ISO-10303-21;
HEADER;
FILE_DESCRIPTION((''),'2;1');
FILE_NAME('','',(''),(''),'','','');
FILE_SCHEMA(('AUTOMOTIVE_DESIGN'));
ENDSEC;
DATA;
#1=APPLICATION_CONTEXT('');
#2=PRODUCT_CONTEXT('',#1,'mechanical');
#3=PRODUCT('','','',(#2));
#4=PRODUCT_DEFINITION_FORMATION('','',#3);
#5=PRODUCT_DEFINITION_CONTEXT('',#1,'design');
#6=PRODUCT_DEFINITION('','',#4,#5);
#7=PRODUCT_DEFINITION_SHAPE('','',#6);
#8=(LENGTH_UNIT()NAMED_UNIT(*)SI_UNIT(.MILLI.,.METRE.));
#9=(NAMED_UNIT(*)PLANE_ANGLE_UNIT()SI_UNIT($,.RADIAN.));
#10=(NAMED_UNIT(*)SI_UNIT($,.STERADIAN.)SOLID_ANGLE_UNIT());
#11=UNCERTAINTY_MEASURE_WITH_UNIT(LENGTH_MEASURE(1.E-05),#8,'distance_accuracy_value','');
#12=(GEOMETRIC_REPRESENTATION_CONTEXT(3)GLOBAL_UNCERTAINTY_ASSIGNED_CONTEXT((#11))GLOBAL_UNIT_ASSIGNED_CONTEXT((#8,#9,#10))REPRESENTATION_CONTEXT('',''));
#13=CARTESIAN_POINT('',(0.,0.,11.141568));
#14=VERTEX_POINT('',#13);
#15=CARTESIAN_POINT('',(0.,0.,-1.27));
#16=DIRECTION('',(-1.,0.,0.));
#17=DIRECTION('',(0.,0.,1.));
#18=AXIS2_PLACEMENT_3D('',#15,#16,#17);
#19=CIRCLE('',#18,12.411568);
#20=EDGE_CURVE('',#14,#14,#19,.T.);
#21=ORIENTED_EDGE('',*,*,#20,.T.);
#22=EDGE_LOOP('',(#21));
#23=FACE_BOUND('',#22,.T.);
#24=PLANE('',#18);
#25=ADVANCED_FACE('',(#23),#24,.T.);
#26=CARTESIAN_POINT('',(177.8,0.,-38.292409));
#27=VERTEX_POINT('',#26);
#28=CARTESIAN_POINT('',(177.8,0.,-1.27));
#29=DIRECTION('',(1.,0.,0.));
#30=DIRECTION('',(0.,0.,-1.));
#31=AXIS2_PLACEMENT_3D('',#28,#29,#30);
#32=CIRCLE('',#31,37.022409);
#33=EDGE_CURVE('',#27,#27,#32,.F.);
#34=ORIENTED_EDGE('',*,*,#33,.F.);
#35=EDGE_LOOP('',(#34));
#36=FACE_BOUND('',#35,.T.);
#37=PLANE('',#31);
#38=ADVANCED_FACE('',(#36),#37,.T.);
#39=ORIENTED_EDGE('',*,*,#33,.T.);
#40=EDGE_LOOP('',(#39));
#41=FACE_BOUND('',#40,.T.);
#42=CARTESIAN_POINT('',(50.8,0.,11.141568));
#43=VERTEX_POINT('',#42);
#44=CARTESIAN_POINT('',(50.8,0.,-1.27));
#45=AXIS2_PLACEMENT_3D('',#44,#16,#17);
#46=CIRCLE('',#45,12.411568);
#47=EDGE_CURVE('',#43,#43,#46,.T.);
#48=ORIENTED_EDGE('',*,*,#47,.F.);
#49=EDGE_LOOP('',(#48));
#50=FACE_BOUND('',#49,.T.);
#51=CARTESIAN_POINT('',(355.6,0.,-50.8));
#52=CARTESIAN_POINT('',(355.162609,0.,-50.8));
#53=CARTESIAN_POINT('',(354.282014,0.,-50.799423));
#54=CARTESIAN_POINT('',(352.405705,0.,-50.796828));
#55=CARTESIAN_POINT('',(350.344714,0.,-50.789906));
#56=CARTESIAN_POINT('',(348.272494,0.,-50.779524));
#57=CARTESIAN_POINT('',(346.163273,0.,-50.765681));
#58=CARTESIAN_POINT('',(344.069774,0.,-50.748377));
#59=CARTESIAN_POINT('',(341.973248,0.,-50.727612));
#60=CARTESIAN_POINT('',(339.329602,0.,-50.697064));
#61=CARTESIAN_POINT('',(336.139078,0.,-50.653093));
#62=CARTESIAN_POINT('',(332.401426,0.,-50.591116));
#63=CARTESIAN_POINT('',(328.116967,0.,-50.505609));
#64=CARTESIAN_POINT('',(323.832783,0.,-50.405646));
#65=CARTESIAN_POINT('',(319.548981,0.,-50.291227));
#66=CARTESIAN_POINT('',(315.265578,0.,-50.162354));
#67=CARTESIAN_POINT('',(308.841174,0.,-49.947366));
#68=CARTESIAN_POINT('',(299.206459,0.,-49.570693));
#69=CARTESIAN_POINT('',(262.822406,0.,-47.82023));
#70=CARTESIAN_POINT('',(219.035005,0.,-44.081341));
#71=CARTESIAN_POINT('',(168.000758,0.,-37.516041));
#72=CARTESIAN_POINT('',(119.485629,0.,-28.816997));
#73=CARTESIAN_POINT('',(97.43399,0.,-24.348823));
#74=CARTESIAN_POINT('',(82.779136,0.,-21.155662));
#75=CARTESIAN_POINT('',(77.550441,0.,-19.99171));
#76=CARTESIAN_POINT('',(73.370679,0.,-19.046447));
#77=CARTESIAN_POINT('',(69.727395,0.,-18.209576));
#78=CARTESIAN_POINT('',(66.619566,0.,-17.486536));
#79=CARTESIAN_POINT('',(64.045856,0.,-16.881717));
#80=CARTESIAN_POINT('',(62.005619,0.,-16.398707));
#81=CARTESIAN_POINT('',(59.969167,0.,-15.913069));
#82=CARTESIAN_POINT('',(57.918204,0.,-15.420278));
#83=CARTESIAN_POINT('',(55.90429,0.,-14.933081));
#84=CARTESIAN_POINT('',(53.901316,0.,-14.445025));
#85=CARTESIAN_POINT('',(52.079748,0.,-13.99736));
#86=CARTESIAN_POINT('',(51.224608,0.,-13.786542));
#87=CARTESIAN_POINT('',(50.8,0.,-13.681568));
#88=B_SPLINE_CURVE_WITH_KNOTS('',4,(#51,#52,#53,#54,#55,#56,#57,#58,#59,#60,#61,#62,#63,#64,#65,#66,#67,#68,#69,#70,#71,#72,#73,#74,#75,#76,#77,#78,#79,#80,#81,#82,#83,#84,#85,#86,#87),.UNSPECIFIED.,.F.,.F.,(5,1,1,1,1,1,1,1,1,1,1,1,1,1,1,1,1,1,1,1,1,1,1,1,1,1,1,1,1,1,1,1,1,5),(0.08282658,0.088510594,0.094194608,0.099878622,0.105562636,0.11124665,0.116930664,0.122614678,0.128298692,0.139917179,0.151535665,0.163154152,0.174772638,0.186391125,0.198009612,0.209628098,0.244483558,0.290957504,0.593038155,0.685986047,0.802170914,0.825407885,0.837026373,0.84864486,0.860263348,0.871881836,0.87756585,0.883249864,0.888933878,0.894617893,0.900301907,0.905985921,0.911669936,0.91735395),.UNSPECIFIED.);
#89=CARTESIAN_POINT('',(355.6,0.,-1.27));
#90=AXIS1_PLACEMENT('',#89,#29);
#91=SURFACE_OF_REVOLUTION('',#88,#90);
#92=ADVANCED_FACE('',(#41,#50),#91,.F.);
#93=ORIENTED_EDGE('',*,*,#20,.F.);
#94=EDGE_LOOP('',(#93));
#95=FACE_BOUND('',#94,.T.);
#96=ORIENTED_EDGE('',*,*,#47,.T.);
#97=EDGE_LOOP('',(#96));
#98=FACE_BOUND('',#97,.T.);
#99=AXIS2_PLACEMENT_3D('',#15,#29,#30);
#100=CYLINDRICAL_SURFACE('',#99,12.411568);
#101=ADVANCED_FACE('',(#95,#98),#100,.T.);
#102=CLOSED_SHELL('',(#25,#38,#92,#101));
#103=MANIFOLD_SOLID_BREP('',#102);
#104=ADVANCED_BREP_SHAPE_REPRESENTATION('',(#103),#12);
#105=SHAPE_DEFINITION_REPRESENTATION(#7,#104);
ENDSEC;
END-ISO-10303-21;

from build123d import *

# Parameters (mm, degrees)
SKETCH2_R           = 49.53
BOSS_EXTRUDE1_DEPTH = 203.2
SKETCH3_R           = 12.411567775
BOSS_EXTRUDE2_DEPTH = 50.8
SKETCH4_R           = 49.53
CUT_EXTRUDE1_DEPTH  = 381
SKETCH5_R           = 49.53
CUT_EXTRUDE2_DEPTH  = 381


with BuildPart() as part:
    # Sketch1 → Revolve2 (revolve)
    with BuildSketch(Plane(origin=(0, 0, 0), x_dir=(1, 0, 0), z_dir=(0, 1, 0))):
        with BuildLine():
            Line((355.600000053, 50.799999973), (355.600000053, 1.269999973))
            Line((355.600000053, 1.269999973), (50.800000047, 1.269999973))
            Line((50.800000047, 1.269999973), (50.800000047, 13.68156774))
            add(Edge.make_bspline(
                [(50.800000047, 13.68156774), (51.224607869, 13.786541703), (52.079748124, 13.99736018), (53.901316113, 14.445024847), (55.90428978, 14.933081433), (57.918204029, 15.420277853), (59.969167456, 15.913068852), (62.005618607, 16.398707152), (64.04585603, 16.881716673), (66.619566178, 17.486536085), (69.727395203, 18.209576077), (73.370678613, 19.04644661), (77.55044141, 19.991710093), (82.779136229, 21.155661521), (97.433989811, 24.348822924), (119.485629173, 28.81699746), (168.00075752, 37.516041455), (219.035004801, 44.081341124), (262.822405655, 47.820230422), (299.206459448, 49.570692635), (308.841173655, 49.947366018), (315.265578413, 50.162354186), (319.548981494, 50.29122703), (323.832782669, 50.405645805), (328.116966628, 50.505609209), (332.401425999, 50.591116104), (336.139078075, 50.653092889), (339.329601827, 50.697064227), (341.973247658, 50.727612371), (344.069774299, 50.748376802), (346.163273231, 50.76568058), (348.272494467, 50.77952366), (350.344714481, 50.789906003), (352.405704949, 50.79682758), (354.282013928, 50.799423175), (355.162608625, 50.799999974), (355.600000053, 50.799999973)],
                knots=[0.08282658, 0.08282658, 0.08282658, 0.08282658, 0.08282658, 0.088510594, 0.094194608, 0.099878623, 0.105562637, 0.111246651, 0.116930666, 0.12261468, 0.128298694, 0.139917182, 0.15153567, 0.163154157, 0.174772645, 0.198009616, 0.314194483, 0.407142375, 0.709223026, 0.755696971, 0.790552431, 0.802170918, 0.813789405, 0.825407891, 0.837026378, 0.848644864, 0.860263351, 0.871881838, 0.877565852, 0.883249866, 0.88893388, 0.894617894, 0.900301908, 0.905985922, 0.911669936, 0.91735395, 0.91735395, 0.91735395, 0.91735395, 0.91735395], degree=4))
        make_face()
    revolve(axis=Axis((355.600000053, 0, -1.269999973), (-1, 0, 0)))

    # Sketch2 → Boss-Extrude1 (add)
    with BuildSketch(Plane(origin=(355.600000053, 0, 0), x_dir=(0, 0, -1), z_dir=(1, 0, 0))):
        with Locations((1.269999973, 0)):
            Circle(SKETCH2_R)
    extrude(amount=BOSS_EXTRUDE1_DEPTH)

    # Sketch3 → Boss-Extrude2 (add)
    with BuildSketch(Plane.ZY.offset(-50.800000063)):
        with Locations((-1.269999973, 0)):
            Circle(SKETCH3_R)
    extrude(amount=BOSS_EXTRUDE2_DEPTH)

    # Sketch4 → Cut-Extrude1 (cut)
    with BuildSketch(Plane(origin=(368.300000053, 0, 0), x_dir=(0, 0, -1), z_dir=(1, 0, 0))):
        with Locations((1.269999973, 0)):
            Circle(SKETCH4_R)
    extrude(amount=CUT_EXTRUDE1_DEPTH, mode=Mode.SUBTRACT)

    # Sketch5 → Cut-Extrude2 (cut)
    with BuildSketch(Plane(origin=(177.800000053, 0, 0), x_dir=(0, 0, -1), z_dir=(1, 0, 0))):
        with Locations((1.269999973, 0)):
            Circle(SKETCH5_R)
    extrude(amount=CUT_EXTRUDE2_DEPTH, mode=Mode.SUBTRACT)


solid = part.part
